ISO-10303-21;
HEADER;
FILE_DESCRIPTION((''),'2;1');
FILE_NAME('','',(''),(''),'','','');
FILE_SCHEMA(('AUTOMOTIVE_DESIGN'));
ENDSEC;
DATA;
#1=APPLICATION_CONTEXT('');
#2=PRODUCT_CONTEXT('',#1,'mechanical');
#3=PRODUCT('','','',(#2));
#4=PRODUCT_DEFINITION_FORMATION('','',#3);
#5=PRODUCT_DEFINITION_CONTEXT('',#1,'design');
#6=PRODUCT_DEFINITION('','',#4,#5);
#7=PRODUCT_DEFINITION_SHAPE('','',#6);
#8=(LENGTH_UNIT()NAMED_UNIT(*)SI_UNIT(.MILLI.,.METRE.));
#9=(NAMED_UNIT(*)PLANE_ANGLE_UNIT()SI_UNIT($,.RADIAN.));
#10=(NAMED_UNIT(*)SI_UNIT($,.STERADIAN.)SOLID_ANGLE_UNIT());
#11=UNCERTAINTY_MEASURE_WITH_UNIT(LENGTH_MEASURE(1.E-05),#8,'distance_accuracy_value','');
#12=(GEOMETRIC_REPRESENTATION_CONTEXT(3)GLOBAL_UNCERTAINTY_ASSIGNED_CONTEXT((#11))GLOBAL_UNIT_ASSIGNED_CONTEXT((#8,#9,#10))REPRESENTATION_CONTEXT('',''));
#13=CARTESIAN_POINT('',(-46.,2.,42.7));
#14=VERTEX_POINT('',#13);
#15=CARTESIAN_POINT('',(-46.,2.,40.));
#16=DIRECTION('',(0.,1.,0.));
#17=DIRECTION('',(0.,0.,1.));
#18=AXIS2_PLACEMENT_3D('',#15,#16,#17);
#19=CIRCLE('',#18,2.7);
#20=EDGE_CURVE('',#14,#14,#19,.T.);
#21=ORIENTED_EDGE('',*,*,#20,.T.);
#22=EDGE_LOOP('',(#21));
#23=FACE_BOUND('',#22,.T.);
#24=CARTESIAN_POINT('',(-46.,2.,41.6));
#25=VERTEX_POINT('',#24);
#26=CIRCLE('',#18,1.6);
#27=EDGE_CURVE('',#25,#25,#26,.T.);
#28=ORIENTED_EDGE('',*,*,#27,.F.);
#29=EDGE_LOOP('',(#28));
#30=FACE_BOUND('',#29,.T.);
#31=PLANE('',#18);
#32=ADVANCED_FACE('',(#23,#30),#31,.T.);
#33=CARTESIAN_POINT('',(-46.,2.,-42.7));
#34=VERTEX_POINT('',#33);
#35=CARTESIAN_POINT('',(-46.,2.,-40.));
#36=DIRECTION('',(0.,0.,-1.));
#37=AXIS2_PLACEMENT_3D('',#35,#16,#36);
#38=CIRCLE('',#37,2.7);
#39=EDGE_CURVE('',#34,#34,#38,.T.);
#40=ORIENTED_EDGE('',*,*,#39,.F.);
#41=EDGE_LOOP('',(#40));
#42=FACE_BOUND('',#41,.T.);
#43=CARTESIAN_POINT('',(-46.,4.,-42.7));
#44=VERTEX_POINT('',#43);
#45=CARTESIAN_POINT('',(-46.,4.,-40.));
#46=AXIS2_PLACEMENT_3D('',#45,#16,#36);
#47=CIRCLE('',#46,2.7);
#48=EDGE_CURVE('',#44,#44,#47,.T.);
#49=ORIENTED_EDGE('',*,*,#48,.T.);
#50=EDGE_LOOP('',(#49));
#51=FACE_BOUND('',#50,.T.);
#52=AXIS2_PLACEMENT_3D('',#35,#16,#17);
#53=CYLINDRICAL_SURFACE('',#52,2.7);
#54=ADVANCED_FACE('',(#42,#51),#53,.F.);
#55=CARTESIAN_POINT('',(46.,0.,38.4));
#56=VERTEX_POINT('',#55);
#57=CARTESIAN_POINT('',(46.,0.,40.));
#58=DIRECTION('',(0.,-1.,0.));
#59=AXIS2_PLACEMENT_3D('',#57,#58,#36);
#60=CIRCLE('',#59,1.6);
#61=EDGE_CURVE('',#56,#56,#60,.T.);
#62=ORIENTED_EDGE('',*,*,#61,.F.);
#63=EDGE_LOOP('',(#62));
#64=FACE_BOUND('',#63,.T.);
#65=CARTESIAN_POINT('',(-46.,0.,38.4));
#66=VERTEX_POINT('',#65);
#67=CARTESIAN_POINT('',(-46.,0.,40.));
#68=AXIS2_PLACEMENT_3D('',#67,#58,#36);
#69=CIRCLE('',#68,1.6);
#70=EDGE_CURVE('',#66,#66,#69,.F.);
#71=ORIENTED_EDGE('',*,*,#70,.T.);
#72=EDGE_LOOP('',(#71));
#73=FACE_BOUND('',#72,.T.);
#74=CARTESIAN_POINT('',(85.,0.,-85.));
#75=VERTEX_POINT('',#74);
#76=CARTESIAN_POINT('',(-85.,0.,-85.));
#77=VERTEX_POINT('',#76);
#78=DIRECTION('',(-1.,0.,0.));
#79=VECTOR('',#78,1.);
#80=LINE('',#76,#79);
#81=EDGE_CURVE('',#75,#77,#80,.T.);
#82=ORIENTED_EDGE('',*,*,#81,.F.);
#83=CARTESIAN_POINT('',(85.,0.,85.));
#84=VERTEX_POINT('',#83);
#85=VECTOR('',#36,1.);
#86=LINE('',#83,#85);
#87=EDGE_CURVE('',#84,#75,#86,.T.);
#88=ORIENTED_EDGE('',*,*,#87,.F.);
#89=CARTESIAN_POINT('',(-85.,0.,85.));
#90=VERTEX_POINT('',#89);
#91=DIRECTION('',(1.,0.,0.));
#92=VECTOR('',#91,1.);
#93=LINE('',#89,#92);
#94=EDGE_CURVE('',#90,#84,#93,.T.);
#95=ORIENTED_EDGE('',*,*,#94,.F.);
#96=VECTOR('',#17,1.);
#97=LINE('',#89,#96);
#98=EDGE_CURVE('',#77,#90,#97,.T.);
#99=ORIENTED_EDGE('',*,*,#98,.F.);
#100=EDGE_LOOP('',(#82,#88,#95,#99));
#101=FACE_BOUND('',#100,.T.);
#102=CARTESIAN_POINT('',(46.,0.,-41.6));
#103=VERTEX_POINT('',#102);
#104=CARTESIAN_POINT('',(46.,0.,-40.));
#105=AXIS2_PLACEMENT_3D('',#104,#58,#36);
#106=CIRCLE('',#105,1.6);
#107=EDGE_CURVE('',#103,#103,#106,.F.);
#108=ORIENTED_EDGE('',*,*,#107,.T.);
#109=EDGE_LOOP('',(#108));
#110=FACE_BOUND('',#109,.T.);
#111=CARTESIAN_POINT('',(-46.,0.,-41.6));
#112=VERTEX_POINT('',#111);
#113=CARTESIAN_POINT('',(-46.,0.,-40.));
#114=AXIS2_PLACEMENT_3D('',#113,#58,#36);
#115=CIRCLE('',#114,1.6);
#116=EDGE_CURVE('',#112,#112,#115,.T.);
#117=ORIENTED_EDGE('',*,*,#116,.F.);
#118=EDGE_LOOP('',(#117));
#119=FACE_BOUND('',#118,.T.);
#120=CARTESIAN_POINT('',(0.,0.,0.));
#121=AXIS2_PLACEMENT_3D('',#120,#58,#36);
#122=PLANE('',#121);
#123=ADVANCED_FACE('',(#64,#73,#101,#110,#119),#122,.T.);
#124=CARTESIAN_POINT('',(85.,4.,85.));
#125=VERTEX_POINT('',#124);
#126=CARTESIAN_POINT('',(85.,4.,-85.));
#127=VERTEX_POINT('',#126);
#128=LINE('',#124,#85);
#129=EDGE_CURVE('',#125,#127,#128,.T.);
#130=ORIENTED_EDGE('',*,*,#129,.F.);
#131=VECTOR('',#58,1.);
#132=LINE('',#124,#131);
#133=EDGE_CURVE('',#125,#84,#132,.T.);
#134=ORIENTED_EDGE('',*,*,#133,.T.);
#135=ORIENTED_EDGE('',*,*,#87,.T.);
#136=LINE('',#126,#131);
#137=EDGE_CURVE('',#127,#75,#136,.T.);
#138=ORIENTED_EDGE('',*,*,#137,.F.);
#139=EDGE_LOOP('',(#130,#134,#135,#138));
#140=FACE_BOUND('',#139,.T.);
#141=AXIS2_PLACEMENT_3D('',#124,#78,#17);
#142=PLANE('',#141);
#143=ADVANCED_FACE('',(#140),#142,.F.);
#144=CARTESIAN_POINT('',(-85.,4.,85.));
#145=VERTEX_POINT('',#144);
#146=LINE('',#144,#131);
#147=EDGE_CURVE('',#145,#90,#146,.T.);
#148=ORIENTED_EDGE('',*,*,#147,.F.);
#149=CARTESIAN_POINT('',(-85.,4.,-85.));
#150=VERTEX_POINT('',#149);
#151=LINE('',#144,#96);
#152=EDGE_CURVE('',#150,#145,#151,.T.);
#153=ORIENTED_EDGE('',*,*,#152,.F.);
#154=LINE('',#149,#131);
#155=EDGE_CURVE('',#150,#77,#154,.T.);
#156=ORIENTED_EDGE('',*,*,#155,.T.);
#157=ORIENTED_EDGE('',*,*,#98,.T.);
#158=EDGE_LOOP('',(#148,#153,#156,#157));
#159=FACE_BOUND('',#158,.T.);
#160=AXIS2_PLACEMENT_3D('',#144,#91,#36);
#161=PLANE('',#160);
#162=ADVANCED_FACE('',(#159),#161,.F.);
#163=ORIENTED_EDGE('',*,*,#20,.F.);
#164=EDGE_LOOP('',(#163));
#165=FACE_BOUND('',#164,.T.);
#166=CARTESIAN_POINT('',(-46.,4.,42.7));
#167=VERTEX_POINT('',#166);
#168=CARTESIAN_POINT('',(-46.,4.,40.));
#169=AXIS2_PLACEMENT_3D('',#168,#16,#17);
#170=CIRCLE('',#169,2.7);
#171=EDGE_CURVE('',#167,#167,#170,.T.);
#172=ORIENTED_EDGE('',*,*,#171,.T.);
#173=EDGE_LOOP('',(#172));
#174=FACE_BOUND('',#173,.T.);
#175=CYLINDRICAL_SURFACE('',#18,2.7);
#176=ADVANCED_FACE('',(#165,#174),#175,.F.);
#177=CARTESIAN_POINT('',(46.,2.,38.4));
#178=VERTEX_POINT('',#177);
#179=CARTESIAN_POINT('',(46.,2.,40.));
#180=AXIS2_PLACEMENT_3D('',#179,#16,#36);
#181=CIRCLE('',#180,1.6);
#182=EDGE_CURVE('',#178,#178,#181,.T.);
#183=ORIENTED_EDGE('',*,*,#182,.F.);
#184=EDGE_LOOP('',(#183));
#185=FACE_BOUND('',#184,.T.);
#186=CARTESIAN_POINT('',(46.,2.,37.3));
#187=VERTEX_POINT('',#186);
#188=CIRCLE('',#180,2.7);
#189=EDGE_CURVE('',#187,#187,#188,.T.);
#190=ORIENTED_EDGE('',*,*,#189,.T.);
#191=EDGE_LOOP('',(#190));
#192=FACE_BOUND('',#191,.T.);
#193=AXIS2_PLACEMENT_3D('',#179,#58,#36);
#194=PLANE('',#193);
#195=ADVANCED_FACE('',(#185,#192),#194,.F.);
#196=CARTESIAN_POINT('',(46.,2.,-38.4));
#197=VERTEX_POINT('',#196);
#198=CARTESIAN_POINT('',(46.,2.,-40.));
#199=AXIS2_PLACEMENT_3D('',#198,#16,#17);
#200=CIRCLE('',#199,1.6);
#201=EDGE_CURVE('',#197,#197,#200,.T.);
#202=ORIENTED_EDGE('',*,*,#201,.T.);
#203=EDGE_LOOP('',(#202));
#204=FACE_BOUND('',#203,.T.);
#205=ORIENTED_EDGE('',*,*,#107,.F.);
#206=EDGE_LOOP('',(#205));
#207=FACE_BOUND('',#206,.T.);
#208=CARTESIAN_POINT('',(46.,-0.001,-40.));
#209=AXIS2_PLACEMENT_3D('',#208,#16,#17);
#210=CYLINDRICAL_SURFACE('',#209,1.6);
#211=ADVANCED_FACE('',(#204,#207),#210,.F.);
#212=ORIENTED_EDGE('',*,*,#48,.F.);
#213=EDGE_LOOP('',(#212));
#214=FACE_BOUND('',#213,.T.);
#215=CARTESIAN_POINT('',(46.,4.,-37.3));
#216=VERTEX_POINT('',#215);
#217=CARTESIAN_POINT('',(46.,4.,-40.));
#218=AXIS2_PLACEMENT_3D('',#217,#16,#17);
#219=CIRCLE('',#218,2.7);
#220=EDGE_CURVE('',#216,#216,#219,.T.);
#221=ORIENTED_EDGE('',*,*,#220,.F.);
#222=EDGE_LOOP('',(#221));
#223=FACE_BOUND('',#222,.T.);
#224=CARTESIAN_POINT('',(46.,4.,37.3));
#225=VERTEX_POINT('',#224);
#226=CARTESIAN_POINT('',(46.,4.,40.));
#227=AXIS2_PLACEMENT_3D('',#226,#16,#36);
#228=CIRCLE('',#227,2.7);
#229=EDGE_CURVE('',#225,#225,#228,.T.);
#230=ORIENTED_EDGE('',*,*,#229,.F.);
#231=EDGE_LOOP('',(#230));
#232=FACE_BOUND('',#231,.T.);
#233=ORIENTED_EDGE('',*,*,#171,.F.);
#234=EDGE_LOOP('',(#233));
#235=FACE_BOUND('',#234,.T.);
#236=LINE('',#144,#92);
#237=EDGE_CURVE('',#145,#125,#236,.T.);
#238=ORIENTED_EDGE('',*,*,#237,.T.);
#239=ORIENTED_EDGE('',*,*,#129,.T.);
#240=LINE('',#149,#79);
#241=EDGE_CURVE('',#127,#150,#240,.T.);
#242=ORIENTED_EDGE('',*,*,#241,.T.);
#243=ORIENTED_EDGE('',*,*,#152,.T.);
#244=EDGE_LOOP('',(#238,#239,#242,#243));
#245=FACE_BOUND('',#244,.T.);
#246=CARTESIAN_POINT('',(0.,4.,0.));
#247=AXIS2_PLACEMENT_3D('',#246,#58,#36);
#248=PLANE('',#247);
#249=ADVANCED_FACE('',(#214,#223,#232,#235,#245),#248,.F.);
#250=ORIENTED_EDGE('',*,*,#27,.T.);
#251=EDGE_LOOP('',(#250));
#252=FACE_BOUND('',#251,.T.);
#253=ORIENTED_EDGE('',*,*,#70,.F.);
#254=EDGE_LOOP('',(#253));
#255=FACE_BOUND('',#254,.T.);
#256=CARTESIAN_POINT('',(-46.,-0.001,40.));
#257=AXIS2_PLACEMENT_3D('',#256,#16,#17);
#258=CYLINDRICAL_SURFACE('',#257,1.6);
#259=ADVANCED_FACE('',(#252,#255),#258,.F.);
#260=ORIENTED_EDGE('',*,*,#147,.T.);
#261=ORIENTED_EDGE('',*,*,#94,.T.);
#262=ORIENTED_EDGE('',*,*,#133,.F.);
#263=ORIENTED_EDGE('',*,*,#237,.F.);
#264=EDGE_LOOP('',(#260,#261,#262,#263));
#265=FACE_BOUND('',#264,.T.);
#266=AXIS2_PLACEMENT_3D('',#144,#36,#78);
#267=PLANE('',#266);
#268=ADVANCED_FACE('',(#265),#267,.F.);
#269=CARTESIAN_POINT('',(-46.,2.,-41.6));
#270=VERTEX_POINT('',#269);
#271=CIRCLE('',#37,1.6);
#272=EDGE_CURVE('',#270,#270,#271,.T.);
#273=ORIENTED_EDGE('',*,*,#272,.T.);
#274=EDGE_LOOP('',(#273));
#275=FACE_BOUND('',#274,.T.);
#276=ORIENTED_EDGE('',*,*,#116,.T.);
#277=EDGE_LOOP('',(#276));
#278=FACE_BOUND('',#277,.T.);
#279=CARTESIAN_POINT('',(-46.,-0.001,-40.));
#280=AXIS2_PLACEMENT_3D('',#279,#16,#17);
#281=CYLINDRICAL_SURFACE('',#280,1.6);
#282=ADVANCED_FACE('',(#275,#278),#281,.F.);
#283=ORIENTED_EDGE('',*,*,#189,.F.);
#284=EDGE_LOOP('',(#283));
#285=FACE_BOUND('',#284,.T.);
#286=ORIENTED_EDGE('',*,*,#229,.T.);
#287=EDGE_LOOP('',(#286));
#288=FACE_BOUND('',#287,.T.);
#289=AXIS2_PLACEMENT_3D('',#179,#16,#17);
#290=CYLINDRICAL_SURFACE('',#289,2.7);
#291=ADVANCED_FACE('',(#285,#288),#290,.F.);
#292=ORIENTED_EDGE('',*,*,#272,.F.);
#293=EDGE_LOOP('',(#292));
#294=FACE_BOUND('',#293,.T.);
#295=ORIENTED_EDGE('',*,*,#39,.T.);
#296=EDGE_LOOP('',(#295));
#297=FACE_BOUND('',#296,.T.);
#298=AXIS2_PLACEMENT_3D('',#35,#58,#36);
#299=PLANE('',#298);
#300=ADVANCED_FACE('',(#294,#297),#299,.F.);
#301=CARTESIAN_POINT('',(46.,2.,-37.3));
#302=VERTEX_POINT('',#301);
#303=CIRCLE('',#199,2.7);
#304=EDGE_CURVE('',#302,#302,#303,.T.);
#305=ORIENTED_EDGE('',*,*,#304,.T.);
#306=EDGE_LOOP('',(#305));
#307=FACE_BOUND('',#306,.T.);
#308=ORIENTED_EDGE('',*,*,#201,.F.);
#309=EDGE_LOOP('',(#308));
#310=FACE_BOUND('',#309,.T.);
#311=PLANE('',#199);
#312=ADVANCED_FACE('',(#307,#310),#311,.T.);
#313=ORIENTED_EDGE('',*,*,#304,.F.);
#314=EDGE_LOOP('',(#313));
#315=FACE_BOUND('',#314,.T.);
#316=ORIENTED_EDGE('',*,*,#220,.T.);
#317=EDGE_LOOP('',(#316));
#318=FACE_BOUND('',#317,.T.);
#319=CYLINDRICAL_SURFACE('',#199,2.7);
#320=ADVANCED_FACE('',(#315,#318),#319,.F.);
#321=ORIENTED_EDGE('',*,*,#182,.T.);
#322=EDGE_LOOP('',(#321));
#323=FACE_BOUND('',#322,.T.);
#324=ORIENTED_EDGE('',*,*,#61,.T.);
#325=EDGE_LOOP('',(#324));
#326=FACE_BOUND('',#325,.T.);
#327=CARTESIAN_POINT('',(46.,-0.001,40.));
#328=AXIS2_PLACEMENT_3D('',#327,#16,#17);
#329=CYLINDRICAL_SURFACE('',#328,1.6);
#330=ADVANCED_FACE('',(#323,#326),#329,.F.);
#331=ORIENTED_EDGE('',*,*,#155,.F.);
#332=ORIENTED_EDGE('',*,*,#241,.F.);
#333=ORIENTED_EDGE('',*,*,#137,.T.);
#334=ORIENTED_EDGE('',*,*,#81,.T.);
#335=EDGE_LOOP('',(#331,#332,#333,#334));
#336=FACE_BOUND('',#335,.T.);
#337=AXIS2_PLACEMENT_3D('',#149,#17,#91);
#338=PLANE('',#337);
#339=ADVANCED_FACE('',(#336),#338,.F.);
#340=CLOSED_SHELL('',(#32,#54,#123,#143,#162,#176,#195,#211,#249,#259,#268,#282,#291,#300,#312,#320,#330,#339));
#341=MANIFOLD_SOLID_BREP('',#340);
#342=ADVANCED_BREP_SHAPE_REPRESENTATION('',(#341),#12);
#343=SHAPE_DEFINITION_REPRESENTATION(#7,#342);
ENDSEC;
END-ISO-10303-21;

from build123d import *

# Parameters (mm, degrees)
SKETCH1_W           = 170
SKETCH1_H           = 170
BOSS_EXTRUDE1_DEPTH = 4
CUT_EXTRUDE1_REACH  = 122.275
SKETCH2_R           = 1.6
SKETCH2_3_R         = 2.7
SKETCH2_3_R_2       = 1.6
CUT_EXTRUDE2_DEPTH  = 2


with BuildPart() as part:
    # Sketch1 → Boss-Extrude1 (new body)
    with BuildSketch(Plane(origin=(0, 0, 0), x_dir=(1, 0, 0), z_dir=(0, 1, 0))):
        Rectangle(SKETCH1_W, SKETCH1_H)
    extrude(amount=BOSS_EXTRUDE1_DEPTH)

    # Sketch2 → Cut-Extrude1 (cut, up to next)
    with BuildSketch(Plane(origin=(0, 4, 0), x_dir=(1, 0, 0), z_dir=(0, 1, 0)), mode=Mode.PRIVATE) as cut_extrude1_sk1:
        with Locations((46, 40)):
            Circle(SKETCH2_R)
    cut_extrude1_tool1 = extrude(cut_extrude1_sk1.sketch, amount=-CUT_EXTRUDE1_REACH, mode=Mode.PRIVATE) & part.part
    # Sketch2 → Cut-Extrude1 (cut, up to next)
    with BuildSketch(Plane(origin=(0, 4, 0), x_dir=(1, 0, 0), z_dir=(0, 1, 0)), mode=Mode.PRIVATE) as cut_extrude1_sk2:
        with Locations((-46, 40)):
            Circle(SKETCH2_R)
    cut_extrude1_tool2 = extrude(cut_extrude1_sk2.sketch, amount=-CUT_EXTRUDE1_REACH, mode=Mode.PRIVATE) & part.part
    # Sketch2 → Cut-Extrude1 (cut, up to next)
    with BuildSketch(Plane(origin=(0, 4, 0), x_dir=(1, 0, 0), z_dir=(0, 1, 0)), mode=Mode.PRIVATE) as cut_extrude1_sk3:
        with Locations((46, -40)):
            Circle(SKETCH2_R)
    cut_extrude1_tool3 = extrude(cut_extrude1_sk3.sketch, amount=-CUT_EXTRUDE1_REACH, mode=Mode.PRIVATE) & part.part
    # Sketch2 → Cut-Extrude1 (cut, up to next)
    with BuildSketch(Plane(origin=(0, 4, 0), x_dir=(1, 0, 0), z_dir=(0, 1, 0)), mode=Mode.PRIVATE) as cut_extrude1_sk4:
        with Locations((-46, -40)):
            Circle(SKETCH2_R)
    cut_extrude1_tool4 = extrude(cut_extrude1_sk4.sketch, amount=-CUT_EXTRUDE1_REACH, mode=Mode.PRIVATE) & part.part
    add(cut_extrude1_tool1.solids().sort_by_distance((46, 4, -40))[0], mode=Mode.SUBTRACT)
    add(cut_extrude1_tool2.solids().sort_by_distance((-46, 4, -40))[0], mode=Mode.SUBTRACT)
    add(cut_extrude1_tool3.solids().sort_by_distance((46, 4, 40))[0], mode=Mode.SUBTRACT)
    add(cut_extrude1_tool4.solids().sort_by_distance((-46, 4, 40))[0], mode=Mode.SUBTRACT)

    # Sketch2<3> → Cut-Extrude2 (cut)
    # profile 1 of 4: a face of its own
    with BuildSketch(Plane(origin=(0, 4, 0), x_dir=(1, 0, 0), z_dir=(0, 1, 0))):
        with Locations((46, 40)):
            Circle(SKETCH2_3_R)
        with Locations((46, 40)):
            Circle(SKETCH2_3_R_2, mode=Mode.SUBTRACT)
    # profile 2 of 4: a face of its own
    with BuildSketch(Plane(origin=(0, 4, 0), x_dir=(1, 0, 0), z_dir=(0, 1, 0))):
        with Locations((-46, 40)):
            Circle(SKETCH2_3_R)
        with Locations((-46, 40)):
            Circle(SKETCH2_3_R_2, mode=Mode.SUBTRACT)
    # profile 3 of 4: a face of its own
    with BuildSketch(Plane(origin=(0, 4, 0), x_dir=(1, 0, 0), z_dir=(0, 1, 0))):
        with Locations((46, -40)):
            Circle(SKETCH2_3_R)
        with Locations((46, -40)):
            Circle(SKETCH2_3_R_2, mode=Mode.SUBTRACT)
    # profile 4 of 4: a face of its own
    with BuildSketch(Plane(origin=(0, 4, 0), x_dir=(1, 0, 0), z_dir=(0, 1, 0))):
        with Locations((-46, -40)):
            Circle(SKETCH2_3_R)
        with Locations((-46, -40)):
            Circle(SKETCH2_3_R_2, mode=Mode.SUBTRACT)
    extrude(amount=-CUT_EXTRUDE2_DEPTH, mode=Mode.SUBTRACT)


solid = part.part
